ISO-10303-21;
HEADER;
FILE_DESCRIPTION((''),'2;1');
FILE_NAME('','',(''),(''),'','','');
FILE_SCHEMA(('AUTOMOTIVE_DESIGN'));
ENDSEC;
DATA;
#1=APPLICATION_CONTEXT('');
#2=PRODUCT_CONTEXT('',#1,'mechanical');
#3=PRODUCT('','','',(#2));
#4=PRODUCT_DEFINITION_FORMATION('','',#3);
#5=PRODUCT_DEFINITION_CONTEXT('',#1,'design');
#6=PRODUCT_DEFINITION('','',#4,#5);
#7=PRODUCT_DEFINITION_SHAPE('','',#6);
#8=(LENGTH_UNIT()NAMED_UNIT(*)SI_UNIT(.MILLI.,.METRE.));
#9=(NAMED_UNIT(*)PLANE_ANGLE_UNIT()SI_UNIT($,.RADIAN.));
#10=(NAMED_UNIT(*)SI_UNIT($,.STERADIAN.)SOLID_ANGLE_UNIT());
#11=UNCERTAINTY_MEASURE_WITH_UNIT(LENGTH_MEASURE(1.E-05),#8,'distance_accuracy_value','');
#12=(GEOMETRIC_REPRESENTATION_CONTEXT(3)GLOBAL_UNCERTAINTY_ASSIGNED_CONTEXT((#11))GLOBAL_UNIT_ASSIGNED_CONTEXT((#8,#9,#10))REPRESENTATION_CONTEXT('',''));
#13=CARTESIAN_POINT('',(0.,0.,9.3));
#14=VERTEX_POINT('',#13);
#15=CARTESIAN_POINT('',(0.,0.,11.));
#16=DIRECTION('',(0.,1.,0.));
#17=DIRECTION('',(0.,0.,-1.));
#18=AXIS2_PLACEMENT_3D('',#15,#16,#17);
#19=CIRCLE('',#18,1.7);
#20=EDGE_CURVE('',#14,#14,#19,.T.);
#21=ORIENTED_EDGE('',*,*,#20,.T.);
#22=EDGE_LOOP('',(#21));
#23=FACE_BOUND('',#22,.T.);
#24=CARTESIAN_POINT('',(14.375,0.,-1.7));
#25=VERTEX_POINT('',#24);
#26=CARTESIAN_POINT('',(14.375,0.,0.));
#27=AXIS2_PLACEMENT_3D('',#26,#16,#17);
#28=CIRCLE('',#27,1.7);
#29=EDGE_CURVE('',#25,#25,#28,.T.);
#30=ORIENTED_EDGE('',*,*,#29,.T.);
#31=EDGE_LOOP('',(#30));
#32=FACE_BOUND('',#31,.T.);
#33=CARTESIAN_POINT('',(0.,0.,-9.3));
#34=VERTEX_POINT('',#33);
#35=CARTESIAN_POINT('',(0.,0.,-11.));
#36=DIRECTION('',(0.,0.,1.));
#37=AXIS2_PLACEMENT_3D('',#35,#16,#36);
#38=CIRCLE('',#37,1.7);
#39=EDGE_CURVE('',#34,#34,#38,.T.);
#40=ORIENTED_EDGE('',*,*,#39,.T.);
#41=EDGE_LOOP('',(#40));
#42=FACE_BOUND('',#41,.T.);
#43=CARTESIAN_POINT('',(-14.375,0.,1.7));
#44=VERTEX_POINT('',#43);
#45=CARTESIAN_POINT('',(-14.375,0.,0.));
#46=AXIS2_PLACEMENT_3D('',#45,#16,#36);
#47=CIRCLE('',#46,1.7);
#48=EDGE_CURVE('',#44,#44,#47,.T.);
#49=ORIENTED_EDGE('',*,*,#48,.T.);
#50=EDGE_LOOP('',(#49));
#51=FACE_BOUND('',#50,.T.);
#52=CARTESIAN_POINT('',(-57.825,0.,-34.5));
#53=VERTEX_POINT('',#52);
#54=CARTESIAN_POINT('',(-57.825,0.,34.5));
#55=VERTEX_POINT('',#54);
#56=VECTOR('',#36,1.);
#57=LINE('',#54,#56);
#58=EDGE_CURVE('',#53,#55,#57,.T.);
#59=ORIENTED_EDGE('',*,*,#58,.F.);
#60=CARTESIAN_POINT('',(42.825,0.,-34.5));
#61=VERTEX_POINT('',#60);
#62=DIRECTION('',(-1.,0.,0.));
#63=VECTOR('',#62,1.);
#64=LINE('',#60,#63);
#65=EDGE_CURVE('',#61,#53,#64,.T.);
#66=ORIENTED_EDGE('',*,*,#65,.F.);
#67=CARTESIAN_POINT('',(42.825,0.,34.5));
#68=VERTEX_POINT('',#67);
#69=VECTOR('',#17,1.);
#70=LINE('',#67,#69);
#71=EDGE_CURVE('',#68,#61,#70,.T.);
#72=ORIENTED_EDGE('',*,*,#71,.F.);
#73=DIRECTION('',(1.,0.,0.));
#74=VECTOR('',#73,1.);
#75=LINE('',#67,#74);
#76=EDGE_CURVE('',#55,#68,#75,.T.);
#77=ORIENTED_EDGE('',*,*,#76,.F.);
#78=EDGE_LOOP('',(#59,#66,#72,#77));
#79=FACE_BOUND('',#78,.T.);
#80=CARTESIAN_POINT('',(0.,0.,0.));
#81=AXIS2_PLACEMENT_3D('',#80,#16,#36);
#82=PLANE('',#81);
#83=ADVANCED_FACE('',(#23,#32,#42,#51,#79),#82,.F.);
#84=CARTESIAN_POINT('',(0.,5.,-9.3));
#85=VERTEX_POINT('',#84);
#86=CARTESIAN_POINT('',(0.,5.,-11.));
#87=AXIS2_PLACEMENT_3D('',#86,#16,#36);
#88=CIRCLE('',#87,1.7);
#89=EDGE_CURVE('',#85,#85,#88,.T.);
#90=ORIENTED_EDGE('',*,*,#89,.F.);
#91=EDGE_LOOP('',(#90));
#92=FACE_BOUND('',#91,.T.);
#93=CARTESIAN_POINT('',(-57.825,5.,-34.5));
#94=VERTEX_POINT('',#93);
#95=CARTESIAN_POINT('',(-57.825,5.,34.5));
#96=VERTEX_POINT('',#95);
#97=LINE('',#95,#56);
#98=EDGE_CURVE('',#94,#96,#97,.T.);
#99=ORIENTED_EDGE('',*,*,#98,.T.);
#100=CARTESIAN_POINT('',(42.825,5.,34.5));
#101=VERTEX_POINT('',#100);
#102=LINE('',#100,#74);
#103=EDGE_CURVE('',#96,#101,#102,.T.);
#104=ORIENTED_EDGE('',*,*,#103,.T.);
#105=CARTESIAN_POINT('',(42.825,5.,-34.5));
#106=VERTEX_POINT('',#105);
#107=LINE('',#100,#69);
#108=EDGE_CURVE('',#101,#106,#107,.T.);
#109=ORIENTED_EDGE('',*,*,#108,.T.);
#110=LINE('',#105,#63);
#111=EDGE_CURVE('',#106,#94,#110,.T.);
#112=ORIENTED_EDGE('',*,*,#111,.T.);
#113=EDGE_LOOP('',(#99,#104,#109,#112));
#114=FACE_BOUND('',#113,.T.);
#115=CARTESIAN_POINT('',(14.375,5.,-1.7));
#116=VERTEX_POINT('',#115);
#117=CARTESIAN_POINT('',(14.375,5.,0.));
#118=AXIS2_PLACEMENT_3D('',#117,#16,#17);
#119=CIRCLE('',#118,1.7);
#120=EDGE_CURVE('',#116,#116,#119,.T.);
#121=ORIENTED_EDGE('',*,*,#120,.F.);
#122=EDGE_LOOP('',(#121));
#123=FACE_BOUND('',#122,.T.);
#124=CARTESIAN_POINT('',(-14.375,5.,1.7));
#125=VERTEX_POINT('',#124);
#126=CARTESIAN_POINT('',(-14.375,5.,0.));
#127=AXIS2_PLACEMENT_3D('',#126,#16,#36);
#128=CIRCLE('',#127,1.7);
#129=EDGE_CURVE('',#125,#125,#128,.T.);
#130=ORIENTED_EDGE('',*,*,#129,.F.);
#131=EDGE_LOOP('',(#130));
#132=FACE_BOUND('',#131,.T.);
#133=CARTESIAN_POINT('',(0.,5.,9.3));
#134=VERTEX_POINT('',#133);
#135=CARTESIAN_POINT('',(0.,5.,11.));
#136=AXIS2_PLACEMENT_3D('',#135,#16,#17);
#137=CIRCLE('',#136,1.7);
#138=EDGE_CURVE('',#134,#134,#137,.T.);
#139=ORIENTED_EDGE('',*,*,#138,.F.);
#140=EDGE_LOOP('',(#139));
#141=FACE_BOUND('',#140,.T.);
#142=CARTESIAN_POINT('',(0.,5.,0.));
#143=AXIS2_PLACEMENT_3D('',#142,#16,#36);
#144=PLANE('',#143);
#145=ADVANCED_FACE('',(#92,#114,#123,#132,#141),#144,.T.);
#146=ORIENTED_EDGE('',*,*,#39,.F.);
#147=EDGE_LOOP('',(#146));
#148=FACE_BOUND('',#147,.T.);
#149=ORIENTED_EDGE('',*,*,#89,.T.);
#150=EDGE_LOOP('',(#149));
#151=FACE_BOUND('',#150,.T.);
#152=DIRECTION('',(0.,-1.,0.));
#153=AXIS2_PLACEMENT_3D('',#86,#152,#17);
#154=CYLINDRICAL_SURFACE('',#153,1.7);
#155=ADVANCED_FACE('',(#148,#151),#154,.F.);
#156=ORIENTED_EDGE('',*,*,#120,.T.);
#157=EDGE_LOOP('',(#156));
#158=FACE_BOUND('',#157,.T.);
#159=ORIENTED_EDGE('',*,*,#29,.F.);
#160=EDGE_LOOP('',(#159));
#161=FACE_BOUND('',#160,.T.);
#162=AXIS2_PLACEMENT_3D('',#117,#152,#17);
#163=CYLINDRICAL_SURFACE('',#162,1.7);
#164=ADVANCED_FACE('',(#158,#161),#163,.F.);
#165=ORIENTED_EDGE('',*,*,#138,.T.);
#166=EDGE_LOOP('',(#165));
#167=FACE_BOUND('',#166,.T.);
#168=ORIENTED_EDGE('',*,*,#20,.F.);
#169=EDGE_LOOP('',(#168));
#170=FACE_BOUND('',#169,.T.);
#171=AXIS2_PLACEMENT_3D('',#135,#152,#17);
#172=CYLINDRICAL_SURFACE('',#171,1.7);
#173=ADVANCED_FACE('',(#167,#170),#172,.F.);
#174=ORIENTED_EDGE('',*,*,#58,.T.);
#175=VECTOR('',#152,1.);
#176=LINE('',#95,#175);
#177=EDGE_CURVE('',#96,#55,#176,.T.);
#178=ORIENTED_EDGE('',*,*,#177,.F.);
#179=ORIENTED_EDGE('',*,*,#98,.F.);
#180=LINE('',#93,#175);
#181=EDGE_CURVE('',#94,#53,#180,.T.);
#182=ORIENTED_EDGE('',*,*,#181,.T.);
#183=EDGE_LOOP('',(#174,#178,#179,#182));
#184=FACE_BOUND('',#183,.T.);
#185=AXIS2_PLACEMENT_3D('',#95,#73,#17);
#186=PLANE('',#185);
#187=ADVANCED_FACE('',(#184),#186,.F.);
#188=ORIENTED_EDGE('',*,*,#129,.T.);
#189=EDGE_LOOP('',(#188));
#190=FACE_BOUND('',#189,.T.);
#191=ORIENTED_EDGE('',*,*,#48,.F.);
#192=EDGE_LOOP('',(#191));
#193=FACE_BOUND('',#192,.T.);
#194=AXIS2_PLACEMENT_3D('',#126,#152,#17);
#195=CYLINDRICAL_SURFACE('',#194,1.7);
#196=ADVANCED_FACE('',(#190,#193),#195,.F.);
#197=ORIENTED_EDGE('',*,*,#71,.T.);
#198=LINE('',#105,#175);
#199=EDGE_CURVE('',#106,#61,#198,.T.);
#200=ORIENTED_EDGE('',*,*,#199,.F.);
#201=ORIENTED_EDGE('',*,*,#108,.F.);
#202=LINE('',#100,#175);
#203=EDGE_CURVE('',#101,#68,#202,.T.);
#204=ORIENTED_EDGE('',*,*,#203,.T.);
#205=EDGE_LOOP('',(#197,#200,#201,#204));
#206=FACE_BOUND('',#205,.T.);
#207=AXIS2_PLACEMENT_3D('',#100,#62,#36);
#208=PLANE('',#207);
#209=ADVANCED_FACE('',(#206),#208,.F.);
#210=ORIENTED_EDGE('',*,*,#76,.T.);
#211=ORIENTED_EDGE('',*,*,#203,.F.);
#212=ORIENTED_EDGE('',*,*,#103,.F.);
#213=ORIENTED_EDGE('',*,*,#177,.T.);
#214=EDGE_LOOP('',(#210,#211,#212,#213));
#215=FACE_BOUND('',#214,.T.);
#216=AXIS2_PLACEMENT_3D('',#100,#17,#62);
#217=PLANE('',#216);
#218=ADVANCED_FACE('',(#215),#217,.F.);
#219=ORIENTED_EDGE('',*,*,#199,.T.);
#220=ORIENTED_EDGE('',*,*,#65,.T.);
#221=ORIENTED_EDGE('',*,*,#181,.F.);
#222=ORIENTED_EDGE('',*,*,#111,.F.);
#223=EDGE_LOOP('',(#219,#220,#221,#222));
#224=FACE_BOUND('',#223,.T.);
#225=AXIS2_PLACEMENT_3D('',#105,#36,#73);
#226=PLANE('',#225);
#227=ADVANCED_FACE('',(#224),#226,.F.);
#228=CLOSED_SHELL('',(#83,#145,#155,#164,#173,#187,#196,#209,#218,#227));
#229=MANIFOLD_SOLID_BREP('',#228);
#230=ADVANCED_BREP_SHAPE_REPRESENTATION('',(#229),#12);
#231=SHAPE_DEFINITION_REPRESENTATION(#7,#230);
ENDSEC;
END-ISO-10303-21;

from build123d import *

# Parameters (mm, degrees)
SKETCH1_W           = 100.65
SKETCH1_H           = 69
SKETCH1_R           = 1.7
BOSS_EXTRUDE1_DEPTH = 5


with BuildPart() as part:
    # Sketch1 → Boss-Extrude1 (new body)
    with BuildSketch(Plane(origin=(0, 0, 0), x_dir=(1, 0, 0), z_dir=(0, 1, 0))):
        with Locations((-7.5, 0)):
            Rectangle(SKETCH1_W, SKETCH1_H)
        with Locations(Location((0, 11, 0), (0, 0, 270))):
            Circle(SKETCH1_R, mode=Mode.SUBTRACT)
        with Locations(Location((-14.375, 0, 0), (0, 0, 270))):
            Circle(SKETCH1_R, mode=Mode.SUBTRACT)
        with Locations(Location((0, -11, 0), (0, 0, 90))):
            Circle(SKETCH1_R, mode=Mode.SUBTRACT)
        with Locations(Location((14.375, 0, 0), (0, 0, 90))):
            Circle(SKETCH1_R, mode=Mode.SUBTRACT)
    extrude(amount=BOSS_EXTRUDE1_DEPTH)


solid = part.part
